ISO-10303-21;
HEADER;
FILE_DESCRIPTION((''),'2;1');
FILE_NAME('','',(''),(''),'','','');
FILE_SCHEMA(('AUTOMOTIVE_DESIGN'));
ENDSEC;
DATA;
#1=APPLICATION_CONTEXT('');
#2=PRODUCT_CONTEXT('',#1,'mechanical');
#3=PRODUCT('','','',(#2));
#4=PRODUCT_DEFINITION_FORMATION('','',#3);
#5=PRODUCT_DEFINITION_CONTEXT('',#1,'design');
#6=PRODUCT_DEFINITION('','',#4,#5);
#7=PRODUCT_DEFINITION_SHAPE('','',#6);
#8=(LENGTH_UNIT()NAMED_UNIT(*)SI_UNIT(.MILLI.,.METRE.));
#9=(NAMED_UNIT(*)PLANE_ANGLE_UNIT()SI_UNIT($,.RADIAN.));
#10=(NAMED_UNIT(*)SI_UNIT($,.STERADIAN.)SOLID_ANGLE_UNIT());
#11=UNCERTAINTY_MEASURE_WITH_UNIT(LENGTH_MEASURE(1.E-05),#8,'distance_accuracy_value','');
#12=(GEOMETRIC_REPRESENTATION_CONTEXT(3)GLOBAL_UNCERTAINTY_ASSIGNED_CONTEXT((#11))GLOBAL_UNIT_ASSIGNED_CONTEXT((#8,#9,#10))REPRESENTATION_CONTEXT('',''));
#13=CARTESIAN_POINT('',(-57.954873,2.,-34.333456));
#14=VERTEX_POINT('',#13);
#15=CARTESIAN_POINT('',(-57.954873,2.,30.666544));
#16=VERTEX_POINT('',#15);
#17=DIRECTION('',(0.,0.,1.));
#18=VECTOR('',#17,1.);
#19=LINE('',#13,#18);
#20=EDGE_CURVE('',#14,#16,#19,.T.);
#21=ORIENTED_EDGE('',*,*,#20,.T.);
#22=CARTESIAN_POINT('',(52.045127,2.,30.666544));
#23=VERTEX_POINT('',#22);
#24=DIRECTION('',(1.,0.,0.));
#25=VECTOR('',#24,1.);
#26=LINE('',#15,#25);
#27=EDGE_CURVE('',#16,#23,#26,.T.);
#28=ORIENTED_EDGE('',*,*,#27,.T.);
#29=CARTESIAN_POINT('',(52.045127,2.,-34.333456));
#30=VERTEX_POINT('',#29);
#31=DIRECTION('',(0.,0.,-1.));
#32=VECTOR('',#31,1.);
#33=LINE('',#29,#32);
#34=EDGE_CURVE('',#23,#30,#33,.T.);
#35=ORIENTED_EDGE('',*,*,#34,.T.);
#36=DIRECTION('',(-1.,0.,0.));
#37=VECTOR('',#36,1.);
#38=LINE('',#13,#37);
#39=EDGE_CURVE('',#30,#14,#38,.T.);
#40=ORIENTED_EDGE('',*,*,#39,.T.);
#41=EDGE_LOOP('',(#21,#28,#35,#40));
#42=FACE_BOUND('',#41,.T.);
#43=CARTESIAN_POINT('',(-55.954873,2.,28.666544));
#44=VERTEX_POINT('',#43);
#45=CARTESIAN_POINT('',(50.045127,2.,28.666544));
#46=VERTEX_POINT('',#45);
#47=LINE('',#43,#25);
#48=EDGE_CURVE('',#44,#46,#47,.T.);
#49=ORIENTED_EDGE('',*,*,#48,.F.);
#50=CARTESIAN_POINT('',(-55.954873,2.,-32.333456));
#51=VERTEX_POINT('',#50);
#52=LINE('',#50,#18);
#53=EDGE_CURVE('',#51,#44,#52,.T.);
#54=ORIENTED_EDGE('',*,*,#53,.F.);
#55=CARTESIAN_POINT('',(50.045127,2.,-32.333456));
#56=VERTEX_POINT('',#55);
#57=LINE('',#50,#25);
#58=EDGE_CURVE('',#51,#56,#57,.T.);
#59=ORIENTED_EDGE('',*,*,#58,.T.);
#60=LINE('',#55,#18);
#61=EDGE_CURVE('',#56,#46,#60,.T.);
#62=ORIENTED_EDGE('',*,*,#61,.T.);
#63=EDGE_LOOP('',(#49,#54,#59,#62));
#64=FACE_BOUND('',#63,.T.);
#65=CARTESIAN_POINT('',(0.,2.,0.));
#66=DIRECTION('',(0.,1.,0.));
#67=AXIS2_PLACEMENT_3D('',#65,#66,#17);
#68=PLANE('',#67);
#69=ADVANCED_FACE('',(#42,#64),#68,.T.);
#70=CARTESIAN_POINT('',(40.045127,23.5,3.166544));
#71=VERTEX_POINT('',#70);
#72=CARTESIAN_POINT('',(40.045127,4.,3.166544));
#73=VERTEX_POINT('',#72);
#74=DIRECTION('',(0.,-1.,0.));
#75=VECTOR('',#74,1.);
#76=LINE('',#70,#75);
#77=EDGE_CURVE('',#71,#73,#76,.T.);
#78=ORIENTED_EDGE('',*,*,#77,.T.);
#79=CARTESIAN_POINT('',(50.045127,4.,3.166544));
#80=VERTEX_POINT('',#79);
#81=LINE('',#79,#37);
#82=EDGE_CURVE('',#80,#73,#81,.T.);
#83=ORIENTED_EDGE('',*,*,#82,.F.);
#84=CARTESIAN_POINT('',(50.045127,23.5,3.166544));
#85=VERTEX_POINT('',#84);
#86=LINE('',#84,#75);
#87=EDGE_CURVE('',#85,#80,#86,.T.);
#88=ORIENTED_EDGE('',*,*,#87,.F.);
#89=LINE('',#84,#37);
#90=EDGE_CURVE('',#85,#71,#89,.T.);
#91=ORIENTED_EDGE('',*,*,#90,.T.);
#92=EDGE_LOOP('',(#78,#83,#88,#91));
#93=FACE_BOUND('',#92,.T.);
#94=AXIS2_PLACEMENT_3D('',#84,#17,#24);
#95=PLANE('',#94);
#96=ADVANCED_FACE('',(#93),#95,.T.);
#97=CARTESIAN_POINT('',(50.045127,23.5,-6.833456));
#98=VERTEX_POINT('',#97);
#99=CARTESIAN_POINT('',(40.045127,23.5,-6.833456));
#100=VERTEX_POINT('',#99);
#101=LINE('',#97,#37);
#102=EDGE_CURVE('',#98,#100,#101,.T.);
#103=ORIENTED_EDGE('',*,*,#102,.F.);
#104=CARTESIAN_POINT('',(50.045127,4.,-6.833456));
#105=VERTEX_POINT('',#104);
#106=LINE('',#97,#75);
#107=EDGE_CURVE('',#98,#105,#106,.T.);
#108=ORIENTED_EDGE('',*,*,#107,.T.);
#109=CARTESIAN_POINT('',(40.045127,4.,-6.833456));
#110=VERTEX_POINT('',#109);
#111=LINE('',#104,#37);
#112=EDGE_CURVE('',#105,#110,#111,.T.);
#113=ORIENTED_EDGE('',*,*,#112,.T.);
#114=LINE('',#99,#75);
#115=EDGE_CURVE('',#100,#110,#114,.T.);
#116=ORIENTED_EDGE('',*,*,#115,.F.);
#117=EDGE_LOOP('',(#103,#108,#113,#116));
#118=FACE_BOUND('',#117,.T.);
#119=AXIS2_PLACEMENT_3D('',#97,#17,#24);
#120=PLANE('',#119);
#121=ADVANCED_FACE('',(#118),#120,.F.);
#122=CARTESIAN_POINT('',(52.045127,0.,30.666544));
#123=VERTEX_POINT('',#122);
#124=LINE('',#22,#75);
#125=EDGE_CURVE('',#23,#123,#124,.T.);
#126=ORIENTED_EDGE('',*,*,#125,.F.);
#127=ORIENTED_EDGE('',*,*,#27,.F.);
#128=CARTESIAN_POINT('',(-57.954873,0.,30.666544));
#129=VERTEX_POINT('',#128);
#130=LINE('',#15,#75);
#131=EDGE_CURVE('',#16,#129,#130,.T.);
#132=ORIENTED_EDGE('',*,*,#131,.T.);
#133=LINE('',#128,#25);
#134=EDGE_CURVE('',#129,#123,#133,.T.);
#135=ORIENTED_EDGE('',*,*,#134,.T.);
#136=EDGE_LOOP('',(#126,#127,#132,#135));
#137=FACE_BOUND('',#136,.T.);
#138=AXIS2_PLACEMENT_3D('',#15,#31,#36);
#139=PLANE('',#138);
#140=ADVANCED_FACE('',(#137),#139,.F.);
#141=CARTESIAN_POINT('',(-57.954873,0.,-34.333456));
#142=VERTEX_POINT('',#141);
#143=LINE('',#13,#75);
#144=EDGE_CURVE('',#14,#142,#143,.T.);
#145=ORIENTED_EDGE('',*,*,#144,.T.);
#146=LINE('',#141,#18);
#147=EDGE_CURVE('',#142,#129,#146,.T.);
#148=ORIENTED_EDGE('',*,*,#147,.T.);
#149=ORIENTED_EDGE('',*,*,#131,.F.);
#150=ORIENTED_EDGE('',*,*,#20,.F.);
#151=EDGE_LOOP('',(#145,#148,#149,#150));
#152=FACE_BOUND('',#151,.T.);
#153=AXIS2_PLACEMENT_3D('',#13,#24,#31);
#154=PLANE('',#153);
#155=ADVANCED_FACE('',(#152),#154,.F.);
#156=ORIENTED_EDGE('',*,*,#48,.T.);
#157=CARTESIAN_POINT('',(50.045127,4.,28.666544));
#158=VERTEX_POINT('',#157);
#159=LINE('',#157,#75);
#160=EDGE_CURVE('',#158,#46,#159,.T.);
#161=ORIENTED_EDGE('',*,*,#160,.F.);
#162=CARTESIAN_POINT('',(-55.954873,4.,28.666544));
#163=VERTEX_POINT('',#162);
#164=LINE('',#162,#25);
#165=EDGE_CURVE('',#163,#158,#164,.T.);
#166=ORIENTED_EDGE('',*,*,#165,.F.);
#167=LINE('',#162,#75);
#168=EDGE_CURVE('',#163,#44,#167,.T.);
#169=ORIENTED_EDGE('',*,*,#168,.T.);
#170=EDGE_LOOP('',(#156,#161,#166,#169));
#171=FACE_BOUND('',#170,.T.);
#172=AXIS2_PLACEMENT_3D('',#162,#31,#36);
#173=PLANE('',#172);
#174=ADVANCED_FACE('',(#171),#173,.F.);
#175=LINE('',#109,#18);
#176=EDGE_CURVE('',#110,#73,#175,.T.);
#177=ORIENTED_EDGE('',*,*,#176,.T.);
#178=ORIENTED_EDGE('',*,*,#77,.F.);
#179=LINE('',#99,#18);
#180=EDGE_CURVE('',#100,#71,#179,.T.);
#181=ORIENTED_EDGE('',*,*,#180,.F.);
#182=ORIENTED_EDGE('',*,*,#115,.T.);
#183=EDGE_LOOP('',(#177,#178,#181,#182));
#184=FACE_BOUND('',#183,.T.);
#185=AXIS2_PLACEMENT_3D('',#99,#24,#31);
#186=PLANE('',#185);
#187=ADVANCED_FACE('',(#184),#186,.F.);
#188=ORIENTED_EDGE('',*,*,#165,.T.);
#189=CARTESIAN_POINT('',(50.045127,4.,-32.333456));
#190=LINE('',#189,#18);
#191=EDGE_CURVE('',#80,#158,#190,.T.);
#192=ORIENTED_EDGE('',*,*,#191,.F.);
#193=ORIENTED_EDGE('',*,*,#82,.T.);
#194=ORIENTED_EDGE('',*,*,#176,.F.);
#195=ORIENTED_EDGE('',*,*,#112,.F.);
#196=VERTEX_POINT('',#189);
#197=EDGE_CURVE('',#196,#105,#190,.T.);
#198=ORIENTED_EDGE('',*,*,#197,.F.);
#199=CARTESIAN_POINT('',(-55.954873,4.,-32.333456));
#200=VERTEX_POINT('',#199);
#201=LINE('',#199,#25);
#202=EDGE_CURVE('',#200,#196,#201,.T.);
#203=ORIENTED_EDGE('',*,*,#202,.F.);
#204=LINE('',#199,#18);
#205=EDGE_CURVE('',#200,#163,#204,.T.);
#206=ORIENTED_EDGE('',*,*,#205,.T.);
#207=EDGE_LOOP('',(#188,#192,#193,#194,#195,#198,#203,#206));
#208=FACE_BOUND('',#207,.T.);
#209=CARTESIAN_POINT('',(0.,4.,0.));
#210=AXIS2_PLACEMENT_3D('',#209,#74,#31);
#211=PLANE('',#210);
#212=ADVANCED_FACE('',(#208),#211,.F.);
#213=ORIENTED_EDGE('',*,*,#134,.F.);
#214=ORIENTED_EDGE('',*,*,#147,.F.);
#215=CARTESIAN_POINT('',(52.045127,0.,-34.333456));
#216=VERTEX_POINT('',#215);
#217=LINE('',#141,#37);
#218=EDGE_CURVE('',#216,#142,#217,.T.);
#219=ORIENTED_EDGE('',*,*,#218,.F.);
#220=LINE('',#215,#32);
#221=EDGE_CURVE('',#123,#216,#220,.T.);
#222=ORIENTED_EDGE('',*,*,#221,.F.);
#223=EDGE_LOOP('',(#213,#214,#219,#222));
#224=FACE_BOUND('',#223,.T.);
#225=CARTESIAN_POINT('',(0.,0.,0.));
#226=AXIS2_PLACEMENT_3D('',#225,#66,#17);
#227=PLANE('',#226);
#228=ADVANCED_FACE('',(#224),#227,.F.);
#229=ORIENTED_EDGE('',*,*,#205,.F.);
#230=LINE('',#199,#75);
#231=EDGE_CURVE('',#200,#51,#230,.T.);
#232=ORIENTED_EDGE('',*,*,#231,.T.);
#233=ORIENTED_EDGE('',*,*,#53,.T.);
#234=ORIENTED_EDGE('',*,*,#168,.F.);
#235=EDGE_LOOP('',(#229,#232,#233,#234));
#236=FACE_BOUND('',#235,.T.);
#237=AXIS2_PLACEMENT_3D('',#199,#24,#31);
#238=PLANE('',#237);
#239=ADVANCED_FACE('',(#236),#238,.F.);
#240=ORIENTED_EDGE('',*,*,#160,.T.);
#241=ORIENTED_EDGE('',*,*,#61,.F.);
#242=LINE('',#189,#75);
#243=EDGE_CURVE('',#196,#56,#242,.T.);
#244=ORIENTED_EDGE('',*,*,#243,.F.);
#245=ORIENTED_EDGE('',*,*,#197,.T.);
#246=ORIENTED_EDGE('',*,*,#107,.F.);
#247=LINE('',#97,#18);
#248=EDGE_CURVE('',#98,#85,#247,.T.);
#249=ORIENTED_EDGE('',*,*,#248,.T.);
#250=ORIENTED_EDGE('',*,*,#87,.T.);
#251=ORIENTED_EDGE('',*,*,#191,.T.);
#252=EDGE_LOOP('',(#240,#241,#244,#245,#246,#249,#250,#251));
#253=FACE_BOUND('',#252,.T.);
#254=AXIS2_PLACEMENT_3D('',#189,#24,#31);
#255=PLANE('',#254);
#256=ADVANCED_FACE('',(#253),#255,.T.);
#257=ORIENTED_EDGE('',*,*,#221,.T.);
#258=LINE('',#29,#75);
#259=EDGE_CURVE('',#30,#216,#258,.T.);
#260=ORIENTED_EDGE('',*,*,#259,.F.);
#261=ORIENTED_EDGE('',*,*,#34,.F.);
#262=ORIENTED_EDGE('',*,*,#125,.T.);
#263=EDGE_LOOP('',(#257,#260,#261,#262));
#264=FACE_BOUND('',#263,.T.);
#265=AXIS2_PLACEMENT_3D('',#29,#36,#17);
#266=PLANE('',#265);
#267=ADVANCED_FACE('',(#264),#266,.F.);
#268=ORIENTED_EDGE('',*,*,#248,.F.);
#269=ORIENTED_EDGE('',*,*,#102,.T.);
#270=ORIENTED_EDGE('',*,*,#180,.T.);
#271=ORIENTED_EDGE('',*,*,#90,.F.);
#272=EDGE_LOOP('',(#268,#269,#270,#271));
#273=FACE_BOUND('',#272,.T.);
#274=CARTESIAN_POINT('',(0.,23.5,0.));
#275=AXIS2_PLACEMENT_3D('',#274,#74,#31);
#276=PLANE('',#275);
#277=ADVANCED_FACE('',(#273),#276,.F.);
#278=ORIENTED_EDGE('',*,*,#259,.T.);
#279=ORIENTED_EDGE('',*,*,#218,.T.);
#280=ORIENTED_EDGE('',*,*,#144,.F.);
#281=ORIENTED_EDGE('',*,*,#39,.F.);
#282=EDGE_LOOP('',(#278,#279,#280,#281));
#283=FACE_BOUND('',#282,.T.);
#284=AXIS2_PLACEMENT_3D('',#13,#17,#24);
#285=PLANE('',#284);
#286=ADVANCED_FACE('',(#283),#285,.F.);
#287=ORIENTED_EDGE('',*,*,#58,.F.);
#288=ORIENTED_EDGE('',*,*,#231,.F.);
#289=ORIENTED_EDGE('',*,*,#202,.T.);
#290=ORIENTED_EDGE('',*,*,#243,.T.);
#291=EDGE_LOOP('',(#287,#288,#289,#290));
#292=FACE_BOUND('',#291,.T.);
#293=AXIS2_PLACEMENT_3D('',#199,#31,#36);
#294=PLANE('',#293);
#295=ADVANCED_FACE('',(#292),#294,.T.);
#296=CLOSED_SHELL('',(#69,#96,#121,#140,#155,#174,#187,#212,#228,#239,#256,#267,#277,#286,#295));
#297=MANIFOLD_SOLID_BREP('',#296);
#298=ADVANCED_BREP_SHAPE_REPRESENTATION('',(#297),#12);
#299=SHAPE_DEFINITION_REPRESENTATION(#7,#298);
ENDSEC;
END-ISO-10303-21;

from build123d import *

# Parameters (mm, degrees)
SKETCH1_W           = 110
SKETCH1_H           = 65
BOSS_EXTRUDE1_DEPTH = 2
SKETCH2_W           = 106
SKETCH2_H           = 61
BOSS_EXTRUDE3_DEPTH = 2
SKETCH6_W           = 10
SKETCH6_H           = 10
BOSS_EXTRUDE4_DEPTH = 19.5


with BuildPart() as part:
    # Sketch1 → Boss-Extrude1 (new body)
    with BuildSketch(Plane(origin=(0, 0, 0), x_dir=(1, 0, 0), z_dir=(0, 1, 0))):
        with Locations((-2.954873439, 1.833455829)):
            Rectangle(SKETCH1_W, SKETCH1_H)
    extrude(amount=BOSS_EXTRUDE1_DEPTH)

    # Sketch2 → Boss-Extrude3 (add)
    with BuildSketch(Plane(origin=(0, 2, 0), x_dir=(1, 0, 0), z_dir=(0, 1, 0))):
        with Locations((-2.954873439, 1.833455829)):
            Rectangle(SKETCH2_W, SKETCH2_H)
    extrude(amount=BOSS_EXTRUDE3_DEPTH)

    # Sketch6 → Boss-Extrude4 (add)
    with BuildSketch(Plane(origin=(0, 4, 0), x_dir=(1, 0, 0), z_dir=(0, 1, 0))):
        with Locations((45.045126561, 1.833455829)):
            Rectangle(SKETCH6_W, SKETCH6_H)
    extrude(amount=BOSS_EXTRUDE4_DEPTH)


solid = part.part
